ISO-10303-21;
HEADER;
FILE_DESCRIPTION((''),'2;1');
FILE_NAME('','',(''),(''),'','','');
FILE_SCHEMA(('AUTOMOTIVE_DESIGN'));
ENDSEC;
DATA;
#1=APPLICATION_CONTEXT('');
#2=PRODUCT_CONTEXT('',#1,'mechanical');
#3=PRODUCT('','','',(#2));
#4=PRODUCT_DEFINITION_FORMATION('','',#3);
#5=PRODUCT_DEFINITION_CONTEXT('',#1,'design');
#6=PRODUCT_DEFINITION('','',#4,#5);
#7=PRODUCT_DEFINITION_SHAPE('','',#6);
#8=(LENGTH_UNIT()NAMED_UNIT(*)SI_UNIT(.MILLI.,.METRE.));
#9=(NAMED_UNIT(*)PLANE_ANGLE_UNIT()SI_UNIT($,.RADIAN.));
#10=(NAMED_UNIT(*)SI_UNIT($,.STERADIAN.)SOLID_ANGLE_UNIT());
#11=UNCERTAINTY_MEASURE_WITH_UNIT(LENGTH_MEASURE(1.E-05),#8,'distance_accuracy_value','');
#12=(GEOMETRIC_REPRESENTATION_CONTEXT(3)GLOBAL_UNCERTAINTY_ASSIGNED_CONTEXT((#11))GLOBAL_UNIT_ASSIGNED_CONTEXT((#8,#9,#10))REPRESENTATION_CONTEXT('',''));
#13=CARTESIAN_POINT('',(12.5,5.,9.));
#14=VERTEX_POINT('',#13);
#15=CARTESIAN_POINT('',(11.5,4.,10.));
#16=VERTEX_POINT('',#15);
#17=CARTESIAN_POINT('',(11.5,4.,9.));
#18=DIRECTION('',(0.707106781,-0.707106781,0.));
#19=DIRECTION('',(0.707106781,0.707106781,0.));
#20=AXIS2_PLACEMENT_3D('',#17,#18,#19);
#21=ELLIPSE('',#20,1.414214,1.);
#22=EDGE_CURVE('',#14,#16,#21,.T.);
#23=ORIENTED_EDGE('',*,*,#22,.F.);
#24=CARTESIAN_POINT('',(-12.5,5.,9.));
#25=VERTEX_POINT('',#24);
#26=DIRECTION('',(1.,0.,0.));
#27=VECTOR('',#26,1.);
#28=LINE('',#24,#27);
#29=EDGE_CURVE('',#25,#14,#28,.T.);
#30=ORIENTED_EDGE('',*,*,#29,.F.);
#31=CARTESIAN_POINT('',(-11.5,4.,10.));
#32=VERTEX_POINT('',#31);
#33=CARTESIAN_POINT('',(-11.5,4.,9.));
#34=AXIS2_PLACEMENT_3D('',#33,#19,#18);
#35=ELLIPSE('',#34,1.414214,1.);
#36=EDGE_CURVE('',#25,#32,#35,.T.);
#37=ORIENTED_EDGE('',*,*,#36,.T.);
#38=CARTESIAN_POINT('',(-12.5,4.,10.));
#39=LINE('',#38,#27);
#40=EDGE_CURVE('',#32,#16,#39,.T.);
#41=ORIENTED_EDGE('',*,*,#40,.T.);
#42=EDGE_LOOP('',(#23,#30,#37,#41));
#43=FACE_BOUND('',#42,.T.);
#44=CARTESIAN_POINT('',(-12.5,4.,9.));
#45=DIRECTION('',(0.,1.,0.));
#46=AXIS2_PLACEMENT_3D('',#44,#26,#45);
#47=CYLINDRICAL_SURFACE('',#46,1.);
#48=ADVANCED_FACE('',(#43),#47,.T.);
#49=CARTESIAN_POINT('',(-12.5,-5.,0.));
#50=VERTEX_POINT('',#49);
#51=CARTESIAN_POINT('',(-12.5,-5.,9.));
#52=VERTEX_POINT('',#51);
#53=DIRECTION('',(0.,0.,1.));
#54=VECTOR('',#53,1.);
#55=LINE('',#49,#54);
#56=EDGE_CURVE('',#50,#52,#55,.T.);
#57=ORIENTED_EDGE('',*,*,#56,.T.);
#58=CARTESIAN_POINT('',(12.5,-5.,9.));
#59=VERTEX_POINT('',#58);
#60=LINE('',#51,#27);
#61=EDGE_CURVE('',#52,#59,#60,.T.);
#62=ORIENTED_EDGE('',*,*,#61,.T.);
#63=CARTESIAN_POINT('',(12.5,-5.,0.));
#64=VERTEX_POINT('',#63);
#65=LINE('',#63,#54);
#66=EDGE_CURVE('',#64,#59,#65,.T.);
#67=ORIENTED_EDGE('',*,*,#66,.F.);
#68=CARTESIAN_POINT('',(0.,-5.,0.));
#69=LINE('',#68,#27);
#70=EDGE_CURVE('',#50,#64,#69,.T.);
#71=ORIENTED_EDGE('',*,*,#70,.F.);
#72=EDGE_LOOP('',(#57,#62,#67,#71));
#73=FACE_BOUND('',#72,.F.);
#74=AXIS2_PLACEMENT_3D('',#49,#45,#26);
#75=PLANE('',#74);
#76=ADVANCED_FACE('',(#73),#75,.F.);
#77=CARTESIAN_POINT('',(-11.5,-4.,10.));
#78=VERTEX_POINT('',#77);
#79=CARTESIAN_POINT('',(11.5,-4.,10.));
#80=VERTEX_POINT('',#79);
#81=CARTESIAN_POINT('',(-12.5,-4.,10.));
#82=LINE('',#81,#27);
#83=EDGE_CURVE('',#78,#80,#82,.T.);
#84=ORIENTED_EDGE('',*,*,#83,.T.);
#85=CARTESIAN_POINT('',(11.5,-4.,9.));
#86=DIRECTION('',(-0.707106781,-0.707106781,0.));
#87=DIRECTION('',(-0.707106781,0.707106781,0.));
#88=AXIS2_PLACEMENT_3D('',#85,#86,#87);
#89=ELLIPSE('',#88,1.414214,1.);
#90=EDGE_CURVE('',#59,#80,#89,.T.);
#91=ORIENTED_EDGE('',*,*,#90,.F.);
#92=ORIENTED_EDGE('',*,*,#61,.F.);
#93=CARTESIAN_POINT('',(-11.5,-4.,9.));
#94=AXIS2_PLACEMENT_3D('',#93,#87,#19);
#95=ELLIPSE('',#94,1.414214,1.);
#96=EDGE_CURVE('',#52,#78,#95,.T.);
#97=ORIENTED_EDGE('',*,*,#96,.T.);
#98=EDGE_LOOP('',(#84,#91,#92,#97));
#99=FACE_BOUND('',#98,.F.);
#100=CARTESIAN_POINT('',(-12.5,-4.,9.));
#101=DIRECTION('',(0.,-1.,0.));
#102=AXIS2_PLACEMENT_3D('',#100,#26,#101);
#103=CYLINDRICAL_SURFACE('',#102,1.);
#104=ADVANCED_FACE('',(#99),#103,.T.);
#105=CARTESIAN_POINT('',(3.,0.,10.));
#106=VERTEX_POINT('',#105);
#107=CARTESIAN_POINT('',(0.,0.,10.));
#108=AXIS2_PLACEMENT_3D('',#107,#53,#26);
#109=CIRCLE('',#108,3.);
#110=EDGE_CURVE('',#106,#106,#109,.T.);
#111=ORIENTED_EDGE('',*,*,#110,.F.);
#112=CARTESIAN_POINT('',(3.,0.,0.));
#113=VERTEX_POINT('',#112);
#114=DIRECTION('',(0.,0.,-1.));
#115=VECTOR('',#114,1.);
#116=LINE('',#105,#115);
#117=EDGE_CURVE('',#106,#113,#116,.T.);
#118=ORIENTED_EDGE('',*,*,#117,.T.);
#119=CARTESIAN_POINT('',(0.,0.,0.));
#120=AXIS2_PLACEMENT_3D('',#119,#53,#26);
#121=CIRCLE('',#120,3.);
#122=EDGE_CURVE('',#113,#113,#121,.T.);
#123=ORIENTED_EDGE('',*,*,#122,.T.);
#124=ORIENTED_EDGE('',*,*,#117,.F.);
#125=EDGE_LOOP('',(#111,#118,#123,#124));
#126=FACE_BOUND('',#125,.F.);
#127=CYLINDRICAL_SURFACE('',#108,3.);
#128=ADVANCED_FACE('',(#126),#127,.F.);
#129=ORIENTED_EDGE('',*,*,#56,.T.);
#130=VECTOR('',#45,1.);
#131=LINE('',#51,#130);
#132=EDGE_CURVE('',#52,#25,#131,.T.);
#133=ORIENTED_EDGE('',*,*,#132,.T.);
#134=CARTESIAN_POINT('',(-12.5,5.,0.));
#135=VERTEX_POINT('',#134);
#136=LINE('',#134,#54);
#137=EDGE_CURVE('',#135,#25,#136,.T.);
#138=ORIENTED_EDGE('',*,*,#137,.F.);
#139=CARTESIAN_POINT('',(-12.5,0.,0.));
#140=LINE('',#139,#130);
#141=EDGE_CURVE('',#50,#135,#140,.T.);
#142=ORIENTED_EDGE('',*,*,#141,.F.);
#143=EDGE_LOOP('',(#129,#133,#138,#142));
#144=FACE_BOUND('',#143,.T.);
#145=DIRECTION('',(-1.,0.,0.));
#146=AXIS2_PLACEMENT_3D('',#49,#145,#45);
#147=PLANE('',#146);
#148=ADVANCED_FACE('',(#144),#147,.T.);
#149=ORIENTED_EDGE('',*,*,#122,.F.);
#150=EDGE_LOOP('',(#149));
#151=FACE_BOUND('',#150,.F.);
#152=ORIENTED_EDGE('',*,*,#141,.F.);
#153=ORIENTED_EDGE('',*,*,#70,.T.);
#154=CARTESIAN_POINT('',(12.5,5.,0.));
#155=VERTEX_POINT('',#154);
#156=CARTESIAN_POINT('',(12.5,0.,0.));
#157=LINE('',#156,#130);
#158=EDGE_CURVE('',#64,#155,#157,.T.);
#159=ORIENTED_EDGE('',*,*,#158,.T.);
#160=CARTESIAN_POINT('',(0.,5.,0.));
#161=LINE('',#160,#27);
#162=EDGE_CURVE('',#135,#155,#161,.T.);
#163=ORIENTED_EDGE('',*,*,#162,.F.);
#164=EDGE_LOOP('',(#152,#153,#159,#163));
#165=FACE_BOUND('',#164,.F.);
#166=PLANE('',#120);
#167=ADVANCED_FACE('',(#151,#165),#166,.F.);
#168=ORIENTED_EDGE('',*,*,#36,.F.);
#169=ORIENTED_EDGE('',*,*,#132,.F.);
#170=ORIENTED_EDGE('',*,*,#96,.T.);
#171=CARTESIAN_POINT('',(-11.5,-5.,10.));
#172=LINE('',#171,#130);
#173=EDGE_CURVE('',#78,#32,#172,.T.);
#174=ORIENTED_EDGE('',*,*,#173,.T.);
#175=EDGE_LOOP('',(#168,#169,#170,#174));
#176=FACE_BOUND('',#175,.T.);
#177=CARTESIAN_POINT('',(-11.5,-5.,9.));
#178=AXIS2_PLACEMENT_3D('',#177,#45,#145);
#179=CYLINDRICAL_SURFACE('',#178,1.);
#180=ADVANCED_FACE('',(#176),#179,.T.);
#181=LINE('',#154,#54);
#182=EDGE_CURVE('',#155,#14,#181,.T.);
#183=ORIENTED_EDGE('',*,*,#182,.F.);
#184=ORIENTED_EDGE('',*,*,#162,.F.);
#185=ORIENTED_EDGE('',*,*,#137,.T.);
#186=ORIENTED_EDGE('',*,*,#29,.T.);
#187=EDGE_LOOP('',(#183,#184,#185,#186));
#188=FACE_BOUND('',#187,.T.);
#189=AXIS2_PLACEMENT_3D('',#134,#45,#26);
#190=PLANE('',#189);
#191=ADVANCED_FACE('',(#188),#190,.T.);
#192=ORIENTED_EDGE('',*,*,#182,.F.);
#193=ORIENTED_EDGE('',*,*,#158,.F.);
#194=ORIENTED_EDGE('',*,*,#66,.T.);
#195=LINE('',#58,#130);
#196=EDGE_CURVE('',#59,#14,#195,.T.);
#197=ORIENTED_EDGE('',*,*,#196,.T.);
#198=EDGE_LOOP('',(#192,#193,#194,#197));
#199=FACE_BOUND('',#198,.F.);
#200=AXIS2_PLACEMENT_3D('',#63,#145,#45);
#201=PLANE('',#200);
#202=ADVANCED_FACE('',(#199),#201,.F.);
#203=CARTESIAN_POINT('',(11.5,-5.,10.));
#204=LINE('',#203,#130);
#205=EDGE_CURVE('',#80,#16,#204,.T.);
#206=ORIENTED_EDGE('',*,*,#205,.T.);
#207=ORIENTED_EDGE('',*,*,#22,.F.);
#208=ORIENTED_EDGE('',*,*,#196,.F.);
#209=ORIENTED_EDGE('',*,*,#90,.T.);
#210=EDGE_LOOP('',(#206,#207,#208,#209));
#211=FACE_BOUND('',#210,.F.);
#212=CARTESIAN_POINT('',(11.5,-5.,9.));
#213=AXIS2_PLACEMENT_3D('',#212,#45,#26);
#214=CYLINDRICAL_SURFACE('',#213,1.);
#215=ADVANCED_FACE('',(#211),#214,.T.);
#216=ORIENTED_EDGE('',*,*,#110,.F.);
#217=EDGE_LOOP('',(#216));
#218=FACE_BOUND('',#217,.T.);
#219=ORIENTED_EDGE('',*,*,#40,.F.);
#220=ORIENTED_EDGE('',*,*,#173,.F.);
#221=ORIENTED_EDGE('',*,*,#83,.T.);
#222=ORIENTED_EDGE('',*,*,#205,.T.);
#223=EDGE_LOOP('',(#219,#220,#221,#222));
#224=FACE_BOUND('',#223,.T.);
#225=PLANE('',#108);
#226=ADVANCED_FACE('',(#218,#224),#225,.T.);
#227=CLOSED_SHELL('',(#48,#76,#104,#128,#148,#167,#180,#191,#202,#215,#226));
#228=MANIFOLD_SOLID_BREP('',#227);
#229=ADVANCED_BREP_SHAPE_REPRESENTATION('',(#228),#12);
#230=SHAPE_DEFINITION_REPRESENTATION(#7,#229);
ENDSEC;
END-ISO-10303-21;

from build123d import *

# Parameters (mm, degrees)
F0_W     = 25
F0_H     = 10
F1_DEPTH = 10
F3_R     = 1
F2_R     = 3
F2_R_2   = 1.5
F4_DEPTH = 10.001


with BuildPart() as f1:
    # F0 (on Top) → F1 (new body)
    with BuildSketch(Plane.XY):
        Rectangle(F0_W, F0_H)
    extrude(amount=F1_DEPTH)

    # F3
    f3_edges = [f1.edges().sort_by_distance(p)[0] for p in [
        (0, 5, 10),
        (12.5, 0, 10),
        (0, -5, 10),
        (-12.5, 0, 10),
    ]]
    fillet(f3_edges, radius=F3_R)

    # F2 (on face) → F4 (cut, through all)
    with BuildSketch(Plane.XY.offset(10)):
        Circle(F2_R)
        Circle(F2_R_2, mode=Mode.SUBTRACT)
        Circle(F2_R_2)
    extrude(amount=-F4_DEPTH, mode=Mode.SUBTRACT)


solid = f1.part
